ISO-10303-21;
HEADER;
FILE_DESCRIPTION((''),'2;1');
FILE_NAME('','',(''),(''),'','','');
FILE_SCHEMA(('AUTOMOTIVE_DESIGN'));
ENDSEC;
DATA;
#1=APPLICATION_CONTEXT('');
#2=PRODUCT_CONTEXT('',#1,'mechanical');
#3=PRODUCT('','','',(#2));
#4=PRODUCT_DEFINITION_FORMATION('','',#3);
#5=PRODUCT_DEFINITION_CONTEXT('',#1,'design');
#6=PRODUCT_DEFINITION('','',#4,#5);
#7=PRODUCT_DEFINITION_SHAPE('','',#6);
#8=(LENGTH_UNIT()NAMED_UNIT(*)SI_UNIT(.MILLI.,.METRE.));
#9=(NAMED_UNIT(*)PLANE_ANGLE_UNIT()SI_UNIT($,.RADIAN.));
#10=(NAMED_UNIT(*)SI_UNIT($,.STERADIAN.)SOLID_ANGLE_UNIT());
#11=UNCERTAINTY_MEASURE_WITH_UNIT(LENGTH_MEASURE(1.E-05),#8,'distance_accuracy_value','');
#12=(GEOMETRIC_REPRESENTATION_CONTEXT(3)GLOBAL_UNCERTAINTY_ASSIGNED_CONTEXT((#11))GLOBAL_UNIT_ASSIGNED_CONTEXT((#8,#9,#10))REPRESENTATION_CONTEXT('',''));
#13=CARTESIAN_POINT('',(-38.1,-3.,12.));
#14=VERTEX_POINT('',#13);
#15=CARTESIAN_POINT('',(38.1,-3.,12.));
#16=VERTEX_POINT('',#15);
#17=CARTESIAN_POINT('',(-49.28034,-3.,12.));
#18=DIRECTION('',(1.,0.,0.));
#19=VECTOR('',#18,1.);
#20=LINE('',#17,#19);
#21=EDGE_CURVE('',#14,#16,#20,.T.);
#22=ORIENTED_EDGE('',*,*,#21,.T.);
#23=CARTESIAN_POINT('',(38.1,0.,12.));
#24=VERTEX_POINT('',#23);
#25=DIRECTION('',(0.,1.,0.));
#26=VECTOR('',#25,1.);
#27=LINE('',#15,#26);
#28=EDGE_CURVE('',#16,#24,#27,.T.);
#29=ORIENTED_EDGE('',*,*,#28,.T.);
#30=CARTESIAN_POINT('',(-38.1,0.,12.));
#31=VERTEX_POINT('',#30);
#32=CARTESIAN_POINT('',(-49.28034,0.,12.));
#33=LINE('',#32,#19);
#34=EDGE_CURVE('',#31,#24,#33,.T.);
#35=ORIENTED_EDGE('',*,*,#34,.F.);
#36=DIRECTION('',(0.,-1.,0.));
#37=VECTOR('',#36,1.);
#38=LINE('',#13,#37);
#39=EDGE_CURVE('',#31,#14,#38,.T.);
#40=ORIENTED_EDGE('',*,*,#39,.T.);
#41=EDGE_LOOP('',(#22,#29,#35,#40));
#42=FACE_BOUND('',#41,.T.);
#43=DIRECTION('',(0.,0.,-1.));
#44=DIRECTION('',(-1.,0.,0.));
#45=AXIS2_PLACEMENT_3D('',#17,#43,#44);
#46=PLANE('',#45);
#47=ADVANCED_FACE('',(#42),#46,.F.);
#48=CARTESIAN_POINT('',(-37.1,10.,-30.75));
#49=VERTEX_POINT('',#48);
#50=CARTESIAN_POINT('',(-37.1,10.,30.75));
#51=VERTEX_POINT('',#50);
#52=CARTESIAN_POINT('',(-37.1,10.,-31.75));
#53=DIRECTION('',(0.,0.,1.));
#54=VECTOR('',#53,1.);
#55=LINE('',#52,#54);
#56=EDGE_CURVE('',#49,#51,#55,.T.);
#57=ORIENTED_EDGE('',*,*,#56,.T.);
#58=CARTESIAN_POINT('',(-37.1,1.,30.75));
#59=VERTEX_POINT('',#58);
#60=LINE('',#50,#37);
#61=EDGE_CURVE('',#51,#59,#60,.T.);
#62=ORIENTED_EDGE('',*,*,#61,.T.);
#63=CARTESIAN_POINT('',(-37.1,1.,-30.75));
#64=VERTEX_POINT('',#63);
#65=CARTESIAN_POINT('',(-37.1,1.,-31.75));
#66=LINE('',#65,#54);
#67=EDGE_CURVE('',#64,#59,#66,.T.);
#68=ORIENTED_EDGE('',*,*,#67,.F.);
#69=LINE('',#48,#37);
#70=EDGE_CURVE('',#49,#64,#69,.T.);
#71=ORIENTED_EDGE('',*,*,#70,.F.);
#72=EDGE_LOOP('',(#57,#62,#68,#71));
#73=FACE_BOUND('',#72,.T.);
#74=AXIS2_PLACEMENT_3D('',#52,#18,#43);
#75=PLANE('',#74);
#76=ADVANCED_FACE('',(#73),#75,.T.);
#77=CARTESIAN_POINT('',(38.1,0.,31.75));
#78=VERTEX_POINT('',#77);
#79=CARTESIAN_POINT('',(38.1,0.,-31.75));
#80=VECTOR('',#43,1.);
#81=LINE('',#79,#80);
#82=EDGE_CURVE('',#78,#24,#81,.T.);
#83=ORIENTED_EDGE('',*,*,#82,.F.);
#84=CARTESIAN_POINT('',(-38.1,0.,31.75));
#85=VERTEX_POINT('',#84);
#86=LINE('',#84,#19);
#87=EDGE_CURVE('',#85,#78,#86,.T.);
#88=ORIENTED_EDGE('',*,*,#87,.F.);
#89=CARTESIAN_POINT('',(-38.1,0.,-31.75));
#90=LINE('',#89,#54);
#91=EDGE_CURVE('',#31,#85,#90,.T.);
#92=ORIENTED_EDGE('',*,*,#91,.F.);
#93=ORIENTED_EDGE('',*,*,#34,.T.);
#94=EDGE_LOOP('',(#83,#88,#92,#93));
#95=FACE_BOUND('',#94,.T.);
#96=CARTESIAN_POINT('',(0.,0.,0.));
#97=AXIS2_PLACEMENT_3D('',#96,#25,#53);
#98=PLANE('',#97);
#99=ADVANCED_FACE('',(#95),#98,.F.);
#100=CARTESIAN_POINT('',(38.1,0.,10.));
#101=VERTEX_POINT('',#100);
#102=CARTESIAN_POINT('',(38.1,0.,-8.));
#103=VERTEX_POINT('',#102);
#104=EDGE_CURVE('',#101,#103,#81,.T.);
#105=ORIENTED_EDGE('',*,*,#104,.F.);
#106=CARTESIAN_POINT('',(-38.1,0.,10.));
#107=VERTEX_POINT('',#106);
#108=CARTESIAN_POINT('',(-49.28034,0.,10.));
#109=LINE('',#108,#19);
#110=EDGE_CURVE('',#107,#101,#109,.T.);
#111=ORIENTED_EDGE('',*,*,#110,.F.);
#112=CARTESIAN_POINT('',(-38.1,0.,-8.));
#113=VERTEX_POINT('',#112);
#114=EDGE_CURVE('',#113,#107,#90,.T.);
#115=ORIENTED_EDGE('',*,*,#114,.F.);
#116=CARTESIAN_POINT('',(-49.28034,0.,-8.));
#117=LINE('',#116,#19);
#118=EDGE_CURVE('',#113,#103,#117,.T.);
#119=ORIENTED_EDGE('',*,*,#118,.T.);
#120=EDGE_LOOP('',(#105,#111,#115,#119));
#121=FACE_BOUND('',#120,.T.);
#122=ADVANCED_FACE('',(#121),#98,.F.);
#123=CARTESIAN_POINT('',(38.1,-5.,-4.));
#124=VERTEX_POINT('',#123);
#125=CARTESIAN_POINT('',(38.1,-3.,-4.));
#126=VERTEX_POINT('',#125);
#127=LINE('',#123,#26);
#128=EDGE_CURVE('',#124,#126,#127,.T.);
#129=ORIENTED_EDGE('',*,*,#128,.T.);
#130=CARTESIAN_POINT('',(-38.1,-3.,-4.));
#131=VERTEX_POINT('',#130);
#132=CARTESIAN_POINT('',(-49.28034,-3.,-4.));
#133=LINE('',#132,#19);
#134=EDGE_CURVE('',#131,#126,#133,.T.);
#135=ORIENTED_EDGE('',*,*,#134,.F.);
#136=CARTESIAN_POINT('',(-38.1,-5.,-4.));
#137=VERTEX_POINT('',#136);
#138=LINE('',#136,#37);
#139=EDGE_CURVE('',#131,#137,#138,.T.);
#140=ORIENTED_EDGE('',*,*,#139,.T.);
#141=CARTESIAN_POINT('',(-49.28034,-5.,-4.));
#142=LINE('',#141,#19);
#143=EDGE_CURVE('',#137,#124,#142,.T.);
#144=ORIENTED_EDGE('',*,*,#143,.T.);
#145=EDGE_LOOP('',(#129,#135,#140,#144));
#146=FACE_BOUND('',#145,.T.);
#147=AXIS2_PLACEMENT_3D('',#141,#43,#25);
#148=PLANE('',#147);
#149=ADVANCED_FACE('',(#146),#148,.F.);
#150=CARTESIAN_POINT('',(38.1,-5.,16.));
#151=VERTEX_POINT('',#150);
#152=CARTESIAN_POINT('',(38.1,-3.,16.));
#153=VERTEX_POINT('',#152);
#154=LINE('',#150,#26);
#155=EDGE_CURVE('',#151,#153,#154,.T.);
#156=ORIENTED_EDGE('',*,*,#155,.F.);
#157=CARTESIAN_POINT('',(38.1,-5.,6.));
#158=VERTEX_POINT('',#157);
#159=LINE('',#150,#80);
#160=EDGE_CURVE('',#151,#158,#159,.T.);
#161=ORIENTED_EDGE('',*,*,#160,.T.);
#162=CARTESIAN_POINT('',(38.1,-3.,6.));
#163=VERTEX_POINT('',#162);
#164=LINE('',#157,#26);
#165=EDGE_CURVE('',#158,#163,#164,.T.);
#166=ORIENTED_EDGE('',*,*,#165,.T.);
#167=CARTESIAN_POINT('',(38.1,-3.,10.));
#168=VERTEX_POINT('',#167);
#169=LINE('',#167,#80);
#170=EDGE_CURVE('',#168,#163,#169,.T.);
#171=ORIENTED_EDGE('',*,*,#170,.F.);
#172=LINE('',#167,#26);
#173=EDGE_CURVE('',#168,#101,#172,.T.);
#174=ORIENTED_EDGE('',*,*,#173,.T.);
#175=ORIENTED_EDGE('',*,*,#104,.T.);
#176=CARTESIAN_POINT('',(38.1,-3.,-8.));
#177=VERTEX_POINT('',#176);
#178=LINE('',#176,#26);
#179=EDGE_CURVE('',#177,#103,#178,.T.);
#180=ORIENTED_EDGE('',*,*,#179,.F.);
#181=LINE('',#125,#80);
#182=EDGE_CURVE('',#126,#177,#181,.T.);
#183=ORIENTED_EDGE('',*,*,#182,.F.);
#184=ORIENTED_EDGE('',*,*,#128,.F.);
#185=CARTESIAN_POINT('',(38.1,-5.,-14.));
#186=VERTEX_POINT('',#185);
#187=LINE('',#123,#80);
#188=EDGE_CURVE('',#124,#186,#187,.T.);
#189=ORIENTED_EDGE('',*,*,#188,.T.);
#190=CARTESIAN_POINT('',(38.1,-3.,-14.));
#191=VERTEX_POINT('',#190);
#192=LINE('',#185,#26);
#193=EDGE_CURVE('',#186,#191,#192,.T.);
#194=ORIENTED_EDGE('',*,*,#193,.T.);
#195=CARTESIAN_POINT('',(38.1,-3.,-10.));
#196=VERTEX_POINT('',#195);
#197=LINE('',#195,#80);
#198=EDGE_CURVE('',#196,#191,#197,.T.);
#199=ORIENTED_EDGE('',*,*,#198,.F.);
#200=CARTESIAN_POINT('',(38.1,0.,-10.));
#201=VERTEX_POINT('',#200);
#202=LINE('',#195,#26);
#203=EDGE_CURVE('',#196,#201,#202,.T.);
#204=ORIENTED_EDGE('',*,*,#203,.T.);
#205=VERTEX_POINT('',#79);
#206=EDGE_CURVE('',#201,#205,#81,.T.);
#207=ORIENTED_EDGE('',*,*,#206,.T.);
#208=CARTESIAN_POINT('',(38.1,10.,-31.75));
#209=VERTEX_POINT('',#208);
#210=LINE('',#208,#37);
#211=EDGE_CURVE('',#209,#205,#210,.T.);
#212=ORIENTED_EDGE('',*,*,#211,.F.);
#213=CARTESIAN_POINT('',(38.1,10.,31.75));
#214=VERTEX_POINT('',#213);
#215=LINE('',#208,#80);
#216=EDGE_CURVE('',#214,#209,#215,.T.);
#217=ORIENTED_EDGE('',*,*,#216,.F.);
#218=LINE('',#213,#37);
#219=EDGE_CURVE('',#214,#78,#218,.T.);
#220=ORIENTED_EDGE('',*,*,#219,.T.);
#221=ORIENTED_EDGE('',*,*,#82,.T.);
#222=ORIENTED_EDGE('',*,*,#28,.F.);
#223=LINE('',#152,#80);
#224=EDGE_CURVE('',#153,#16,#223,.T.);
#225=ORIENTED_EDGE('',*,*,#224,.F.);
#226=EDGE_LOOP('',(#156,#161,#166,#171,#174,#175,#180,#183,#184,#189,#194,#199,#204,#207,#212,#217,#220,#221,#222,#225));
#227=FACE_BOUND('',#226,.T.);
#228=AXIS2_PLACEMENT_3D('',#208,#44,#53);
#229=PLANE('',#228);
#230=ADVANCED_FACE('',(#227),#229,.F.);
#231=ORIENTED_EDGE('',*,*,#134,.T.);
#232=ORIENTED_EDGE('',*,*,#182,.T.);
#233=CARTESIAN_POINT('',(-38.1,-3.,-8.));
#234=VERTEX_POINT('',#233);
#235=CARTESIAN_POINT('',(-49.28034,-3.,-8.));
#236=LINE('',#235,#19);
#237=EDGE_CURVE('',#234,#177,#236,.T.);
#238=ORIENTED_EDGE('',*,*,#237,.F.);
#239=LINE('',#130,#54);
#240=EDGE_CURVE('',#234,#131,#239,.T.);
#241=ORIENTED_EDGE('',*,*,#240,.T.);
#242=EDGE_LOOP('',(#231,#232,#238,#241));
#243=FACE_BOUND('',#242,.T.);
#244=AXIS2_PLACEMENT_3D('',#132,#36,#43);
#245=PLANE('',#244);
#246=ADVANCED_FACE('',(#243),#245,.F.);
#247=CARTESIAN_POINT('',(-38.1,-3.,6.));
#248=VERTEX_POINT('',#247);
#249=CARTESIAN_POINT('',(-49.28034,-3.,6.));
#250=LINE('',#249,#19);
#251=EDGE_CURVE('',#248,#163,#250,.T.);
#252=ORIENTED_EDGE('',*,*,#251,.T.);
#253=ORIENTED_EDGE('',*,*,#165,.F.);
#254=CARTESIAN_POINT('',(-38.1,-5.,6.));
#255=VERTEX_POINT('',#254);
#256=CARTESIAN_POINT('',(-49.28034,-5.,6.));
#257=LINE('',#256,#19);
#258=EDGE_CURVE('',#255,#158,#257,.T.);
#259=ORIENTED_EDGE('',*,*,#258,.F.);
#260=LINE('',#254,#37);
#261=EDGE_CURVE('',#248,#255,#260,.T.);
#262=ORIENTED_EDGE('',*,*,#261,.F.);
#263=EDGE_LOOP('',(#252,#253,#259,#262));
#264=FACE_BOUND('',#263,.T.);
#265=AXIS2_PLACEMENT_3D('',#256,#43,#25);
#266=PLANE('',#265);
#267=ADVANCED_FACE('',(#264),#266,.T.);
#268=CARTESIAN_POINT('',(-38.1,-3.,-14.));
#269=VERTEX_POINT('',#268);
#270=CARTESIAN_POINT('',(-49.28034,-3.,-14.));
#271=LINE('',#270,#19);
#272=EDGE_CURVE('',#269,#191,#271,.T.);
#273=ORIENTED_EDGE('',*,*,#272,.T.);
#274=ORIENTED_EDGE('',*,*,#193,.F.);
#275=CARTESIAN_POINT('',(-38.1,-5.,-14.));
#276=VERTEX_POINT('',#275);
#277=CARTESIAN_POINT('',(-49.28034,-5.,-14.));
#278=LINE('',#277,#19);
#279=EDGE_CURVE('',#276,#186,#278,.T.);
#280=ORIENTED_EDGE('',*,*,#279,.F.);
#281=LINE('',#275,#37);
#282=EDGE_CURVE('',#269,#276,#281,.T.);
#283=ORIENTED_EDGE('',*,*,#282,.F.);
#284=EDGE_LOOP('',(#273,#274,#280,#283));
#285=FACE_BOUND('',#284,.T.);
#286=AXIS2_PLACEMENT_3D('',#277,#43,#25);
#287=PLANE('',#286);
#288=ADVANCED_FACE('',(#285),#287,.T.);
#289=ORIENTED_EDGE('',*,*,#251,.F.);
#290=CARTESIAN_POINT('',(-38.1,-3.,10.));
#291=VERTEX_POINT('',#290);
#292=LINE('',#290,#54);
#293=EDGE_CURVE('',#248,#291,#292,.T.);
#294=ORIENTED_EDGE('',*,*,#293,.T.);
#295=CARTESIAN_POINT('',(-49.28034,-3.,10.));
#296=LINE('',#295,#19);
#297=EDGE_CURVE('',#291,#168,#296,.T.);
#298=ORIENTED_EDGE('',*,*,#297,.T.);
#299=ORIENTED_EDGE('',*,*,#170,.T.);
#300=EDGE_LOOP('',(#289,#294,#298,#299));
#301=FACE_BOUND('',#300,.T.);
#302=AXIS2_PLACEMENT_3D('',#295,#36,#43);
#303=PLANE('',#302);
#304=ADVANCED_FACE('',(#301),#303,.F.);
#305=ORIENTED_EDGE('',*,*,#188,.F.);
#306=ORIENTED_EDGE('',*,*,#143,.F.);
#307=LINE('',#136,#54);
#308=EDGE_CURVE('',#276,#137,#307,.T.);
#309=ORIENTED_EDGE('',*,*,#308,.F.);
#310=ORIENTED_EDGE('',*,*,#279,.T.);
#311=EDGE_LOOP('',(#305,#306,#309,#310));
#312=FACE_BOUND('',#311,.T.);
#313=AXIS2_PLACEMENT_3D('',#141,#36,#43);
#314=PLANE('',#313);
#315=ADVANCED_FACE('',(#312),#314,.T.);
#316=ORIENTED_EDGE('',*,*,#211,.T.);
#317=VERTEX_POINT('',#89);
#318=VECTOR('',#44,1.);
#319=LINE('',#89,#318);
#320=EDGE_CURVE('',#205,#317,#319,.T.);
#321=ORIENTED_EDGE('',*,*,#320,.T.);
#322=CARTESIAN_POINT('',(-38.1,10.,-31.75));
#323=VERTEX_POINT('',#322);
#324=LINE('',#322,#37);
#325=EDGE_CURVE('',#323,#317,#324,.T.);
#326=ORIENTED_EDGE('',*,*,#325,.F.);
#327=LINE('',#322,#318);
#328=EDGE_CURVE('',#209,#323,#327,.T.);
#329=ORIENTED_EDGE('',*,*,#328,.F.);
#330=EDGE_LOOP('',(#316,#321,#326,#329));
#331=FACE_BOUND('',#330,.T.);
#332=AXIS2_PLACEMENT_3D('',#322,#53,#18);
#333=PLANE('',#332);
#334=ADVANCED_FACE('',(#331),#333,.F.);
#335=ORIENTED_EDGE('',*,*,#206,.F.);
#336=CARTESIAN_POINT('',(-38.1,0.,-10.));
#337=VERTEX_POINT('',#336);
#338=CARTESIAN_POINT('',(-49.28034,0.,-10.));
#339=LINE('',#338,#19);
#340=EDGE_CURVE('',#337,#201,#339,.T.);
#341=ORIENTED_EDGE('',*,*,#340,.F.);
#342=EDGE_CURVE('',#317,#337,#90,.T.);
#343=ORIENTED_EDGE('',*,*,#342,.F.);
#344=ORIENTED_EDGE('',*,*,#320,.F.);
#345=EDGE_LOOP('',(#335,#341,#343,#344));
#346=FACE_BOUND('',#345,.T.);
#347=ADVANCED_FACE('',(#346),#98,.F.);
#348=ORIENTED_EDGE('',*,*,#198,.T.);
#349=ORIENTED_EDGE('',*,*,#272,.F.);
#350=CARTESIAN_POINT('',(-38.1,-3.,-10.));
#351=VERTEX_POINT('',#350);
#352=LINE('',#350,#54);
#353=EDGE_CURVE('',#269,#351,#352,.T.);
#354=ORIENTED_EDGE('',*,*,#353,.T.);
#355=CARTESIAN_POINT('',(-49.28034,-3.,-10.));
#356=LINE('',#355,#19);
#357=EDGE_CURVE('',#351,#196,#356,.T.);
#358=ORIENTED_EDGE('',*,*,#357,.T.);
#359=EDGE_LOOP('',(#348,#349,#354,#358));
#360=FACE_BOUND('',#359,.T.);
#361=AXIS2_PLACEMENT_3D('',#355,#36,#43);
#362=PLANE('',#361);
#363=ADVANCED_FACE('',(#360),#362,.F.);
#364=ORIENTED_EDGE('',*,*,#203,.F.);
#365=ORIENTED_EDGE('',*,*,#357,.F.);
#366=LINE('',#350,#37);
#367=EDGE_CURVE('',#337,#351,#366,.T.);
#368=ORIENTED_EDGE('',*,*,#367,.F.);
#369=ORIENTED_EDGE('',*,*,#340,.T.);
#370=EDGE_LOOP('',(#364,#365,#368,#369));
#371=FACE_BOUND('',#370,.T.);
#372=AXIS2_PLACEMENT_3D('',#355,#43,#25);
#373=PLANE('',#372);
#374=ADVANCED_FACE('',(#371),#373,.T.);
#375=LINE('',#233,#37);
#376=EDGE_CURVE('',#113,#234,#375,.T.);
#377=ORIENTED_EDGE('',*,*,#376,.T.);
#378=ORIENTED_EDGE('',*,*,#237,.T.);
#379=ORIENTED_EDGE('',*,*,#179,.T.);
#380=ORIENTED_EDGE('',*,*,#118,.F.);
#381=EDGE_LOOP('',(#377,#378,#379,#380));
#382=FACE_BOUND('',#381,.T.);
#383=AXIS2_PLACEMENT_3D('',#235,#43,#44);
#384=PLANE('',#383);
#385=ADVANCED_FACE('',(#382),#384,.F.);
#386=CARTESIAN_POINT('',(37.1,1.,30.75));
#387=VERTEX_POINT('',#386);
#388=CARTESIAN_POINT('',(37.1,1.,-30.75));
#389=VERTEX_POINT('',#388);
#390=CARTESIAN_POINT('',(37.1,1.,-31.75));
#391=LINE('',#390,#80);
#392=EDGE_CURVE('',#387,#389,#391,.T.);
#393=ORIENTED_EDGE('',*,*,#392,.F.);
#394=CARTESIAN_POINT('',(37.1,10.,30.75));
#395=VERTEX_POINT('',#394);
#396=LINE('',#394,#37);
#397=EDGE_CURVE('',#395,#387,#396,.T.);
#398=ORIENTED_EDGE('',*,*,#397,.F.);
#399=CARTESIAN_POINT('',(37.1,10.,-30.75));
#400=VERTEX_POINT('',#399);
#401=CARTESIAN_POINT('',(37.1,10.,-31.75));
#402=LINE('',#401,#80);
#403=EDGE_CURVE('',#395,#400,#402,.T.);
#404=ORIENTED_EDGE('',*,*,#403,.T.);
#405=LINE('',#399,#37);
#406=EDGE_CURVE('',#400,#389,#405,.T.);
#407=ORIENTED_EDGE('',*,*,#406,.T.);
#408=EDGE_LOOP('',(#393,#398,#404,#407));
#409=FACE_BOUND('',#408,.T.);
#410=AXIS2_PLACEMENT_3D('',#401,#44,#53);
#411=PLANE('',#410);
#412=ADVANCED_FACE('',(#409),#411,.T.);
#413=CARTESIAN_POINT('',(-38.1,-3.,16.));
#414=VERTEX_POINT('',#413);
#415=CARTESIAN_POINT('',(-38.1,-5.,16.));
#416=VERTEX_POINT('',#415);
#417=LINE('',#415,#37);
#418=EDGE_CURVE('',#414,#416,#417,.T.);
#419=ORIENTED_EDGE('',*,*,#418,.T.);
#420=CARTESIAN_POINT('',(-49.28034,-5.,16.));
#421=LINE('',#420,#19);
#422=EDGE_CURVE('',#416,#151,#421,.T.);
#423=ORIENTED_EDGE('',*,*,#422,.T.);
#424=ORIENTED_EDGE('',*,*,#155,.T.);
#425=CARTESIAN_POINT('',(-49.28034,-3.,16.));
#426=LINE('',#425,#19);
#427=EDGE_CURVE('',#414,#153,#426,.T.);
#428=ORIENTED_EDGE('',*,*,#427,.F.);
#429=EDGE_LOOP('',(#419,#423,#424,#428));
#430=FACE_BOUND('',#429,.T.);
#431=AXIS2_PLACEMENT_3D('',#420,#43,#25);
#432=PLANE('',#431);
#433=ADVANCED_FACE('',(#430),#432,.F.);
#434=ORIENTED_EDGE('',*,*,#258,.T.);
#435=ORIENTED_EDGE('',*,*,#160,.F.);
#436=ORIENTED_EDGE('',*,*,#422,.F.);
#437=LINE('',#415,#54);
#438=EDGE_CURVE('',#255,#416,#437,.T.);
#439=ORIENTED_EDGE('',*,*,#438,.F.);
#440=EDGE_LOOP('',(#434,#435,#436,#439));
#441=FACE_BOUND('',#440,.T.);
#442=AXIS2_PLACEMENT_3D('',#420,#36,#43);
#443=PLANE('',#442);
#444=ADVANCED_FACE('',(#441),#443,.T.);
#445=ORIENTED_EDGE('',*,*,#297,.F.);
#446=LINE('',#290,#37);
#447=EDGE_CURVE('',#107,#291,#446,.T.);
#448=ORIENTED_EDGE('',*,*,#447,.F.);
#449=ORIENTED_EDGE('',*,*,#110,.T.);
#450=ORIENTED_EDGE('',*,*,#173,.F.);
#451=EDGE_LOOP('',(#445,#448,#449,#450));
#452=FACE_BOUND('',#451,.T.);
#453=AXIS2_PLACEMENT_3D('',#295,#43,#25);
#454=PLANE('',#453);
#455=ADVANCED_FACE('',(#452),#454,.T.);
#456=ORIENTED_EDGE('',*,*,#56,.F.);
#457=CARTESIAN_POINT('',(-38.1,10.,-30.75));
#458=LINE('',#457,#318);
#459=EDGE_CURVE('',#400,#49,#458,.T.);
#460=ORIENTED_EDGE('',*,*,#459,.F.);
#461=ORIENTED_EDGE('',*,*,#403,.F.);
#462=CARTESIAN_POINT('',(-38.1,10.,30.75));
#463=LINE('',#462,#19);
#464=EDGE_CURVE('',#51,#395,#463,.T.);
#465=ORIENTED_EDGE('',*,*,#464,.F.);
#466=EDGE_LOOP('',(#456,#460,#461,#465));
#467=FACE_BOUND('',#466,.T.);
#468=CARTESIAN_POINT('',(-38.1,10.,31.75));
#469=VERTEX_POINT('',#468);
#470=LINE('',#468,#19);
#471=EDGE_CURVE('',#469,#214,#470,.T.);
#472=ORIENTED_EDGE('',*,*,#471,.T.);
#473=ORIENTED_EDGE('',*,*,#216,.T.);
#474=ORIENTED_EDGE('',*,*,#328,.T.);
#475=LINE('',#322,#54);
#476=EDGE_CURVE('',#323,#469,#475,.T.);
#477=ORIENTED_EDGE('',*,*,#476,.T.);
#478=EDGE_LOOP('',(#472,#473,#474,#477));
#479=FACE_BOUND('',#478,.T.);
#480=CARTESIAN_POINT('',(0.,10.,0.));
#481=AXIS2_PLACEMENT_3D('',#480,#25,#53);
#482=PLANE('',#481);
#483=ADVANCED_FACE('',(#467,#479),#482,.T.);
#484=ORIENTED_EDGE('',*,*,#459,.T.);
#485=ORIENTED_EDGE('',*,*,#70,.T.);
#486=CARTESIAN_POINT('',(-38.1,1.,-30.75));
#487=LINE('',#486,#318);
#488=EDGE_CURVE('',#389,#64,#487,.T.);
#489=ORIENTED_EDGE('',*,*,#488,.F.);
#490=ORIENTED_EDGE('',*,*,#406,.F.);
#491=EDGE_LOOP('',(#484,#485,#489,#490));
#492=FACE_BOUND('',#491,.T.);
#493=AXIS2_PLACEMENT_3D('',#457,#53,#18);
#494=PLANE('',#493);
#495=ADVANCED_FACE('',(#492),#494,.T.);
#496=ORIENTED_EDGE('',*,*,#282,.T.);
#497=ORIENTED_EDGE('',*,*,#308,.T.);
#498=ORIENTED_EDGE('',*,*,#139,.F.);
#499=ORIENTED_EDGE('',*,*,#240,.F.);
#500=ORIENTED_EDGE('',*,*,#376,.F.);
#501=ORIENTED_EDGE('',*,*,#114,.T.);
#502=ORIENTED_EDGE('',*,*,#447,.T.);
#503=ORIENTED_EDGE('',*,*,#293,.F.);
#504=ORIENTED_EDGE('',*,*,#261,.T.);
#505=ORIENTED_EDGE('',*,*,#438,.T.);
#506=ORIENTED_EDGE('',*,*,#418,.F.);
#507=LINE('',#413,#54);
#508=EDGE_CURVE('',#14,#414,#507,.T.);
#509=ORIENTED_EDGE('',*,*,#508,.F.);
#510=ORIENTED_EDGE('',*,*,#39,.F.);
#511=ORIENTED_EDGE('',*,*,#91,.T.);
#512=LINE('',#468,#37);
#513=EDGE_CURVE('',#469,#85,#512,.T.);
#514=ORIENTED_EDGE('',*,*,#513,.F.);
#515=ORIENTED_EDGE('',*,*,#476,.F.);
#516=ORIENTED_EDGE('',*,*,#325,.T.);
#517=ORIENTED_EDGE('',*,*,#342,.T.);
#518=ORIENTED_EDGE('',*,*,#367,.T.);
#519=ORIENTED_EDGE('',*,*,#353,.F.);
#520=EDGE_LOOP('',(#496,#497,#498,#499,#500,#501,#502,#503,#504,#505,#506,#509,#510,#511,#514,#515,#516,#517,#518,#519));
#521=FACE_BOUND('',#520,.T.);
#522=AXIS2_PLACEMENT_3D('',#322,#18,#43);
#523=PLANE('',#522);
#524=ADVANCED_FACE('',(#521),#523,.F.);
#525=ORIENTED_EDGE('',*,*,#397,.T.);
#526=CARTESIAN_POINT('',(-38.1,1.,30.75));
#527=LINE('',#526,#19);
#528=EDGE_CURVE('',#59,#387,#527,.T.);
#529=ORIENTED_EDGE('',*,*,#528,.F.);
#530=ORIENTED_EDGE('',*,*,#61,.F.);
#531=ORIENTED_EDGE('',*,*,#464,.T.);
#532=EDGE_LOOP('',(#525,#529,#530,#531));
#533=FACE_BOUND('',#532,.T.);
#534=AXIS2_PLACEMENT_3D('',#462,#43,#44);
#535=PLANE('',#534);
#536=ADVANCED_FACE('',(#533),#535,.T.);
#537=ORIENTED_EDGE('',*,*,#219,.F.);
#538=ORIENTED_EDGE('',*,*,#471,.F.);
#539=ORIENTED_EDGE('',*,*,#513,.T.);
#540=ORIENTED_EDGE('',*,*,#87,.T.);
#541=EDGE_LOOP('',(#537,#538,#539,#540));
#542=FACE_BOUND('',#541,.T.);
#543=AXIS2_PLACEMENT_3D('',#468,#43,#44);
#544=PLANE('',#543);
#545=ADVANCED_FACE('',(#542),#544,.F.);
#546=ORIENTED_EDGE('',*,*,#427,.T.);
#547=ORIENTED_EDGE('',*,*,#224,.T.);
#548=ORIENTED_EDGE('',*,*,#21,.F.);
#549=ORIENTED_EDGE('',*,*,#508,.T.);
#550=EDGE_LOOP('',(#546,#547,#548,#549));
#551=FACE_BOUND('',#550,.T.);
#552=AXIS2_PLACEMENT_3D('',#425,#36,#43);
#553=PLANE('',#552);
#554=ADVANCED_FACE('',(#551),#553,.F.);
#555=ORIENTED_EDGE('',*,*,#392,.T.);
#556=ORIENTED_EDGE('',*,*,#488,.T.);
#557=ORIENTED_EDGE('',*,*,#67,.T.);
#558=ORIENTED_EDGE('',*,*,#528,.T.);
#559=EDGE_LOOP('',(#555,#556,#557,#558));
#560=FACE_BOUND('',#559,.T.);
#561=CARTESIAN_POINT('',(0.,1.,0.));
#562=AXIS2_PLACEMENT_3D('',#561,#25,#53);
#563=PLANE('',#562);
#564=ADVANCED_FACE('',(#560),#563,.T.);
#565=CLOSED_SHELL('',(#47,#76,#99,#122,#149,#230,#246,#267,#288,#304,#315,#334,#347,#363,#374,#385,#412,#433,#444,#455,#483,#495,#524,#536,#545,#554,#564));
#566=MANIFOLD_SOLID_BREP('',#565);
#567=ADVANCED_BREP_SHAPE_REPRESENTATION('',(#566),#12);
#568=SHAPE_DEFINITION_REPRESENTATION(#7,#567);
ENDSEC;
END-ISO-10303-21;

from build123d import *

# Parameters (mm, degrees)
SKETCH1_W           = 76.2
SKETCH1_H           = 63.5
BOSS_EXTRUDE1_DEPTH = 10
SHELL1_T            = -1
BOSS_EXTRUDE2_DEPTH = 76.2
LPATTERN1_COUNT     = 2
LPATTERN1_PITCH     = 20


with BuildPart() as part:
    # Sketch1 → Boss-Extrude1 (new body)
    with BuildSketch(Plane(origin=(0, 0, 0), x_dir=(1, 0, 0), z_dir=(0, 1, 0))):
        Rectangle(SKETCH1_W, SKETCH1_H)
    extrude(amount=BOSS_EXTRUDE1_DEPTH)

    # Shell1
    shell1_openings = [part.faces().sort_by_distance(p)[0] for p in [
        (0, 10, 0),
    ]]
    offset(amount=SHELL1_T, openings=shell1_openings, kind=Kind.INTERSECTION)

    # Sketch2 → Boss-Extrude2 (add)
    with BuildSketch(Plane(origin=(38.1, 0, 0), x_dir=(0, 0, -1), z_dir=(1, 0, 0))):
        Polygon((10, -3), (14, -3), (14, -5), (4, -5), (4, -3), (8, -3), (8, 0), (10, 0), align=None)
    boss_extrude2 = extrude(amount=-BOSS_EXTRUDE2_DEPTH)

    # LPattern1: Boss-Extrude2 ×2
    with Locations(*[(0, 0, i * LPATTERN1_PITCH) for i in range(1, LPATTERN1_COUNT)]):
        add(boss_extrude2)


solid = part.part
